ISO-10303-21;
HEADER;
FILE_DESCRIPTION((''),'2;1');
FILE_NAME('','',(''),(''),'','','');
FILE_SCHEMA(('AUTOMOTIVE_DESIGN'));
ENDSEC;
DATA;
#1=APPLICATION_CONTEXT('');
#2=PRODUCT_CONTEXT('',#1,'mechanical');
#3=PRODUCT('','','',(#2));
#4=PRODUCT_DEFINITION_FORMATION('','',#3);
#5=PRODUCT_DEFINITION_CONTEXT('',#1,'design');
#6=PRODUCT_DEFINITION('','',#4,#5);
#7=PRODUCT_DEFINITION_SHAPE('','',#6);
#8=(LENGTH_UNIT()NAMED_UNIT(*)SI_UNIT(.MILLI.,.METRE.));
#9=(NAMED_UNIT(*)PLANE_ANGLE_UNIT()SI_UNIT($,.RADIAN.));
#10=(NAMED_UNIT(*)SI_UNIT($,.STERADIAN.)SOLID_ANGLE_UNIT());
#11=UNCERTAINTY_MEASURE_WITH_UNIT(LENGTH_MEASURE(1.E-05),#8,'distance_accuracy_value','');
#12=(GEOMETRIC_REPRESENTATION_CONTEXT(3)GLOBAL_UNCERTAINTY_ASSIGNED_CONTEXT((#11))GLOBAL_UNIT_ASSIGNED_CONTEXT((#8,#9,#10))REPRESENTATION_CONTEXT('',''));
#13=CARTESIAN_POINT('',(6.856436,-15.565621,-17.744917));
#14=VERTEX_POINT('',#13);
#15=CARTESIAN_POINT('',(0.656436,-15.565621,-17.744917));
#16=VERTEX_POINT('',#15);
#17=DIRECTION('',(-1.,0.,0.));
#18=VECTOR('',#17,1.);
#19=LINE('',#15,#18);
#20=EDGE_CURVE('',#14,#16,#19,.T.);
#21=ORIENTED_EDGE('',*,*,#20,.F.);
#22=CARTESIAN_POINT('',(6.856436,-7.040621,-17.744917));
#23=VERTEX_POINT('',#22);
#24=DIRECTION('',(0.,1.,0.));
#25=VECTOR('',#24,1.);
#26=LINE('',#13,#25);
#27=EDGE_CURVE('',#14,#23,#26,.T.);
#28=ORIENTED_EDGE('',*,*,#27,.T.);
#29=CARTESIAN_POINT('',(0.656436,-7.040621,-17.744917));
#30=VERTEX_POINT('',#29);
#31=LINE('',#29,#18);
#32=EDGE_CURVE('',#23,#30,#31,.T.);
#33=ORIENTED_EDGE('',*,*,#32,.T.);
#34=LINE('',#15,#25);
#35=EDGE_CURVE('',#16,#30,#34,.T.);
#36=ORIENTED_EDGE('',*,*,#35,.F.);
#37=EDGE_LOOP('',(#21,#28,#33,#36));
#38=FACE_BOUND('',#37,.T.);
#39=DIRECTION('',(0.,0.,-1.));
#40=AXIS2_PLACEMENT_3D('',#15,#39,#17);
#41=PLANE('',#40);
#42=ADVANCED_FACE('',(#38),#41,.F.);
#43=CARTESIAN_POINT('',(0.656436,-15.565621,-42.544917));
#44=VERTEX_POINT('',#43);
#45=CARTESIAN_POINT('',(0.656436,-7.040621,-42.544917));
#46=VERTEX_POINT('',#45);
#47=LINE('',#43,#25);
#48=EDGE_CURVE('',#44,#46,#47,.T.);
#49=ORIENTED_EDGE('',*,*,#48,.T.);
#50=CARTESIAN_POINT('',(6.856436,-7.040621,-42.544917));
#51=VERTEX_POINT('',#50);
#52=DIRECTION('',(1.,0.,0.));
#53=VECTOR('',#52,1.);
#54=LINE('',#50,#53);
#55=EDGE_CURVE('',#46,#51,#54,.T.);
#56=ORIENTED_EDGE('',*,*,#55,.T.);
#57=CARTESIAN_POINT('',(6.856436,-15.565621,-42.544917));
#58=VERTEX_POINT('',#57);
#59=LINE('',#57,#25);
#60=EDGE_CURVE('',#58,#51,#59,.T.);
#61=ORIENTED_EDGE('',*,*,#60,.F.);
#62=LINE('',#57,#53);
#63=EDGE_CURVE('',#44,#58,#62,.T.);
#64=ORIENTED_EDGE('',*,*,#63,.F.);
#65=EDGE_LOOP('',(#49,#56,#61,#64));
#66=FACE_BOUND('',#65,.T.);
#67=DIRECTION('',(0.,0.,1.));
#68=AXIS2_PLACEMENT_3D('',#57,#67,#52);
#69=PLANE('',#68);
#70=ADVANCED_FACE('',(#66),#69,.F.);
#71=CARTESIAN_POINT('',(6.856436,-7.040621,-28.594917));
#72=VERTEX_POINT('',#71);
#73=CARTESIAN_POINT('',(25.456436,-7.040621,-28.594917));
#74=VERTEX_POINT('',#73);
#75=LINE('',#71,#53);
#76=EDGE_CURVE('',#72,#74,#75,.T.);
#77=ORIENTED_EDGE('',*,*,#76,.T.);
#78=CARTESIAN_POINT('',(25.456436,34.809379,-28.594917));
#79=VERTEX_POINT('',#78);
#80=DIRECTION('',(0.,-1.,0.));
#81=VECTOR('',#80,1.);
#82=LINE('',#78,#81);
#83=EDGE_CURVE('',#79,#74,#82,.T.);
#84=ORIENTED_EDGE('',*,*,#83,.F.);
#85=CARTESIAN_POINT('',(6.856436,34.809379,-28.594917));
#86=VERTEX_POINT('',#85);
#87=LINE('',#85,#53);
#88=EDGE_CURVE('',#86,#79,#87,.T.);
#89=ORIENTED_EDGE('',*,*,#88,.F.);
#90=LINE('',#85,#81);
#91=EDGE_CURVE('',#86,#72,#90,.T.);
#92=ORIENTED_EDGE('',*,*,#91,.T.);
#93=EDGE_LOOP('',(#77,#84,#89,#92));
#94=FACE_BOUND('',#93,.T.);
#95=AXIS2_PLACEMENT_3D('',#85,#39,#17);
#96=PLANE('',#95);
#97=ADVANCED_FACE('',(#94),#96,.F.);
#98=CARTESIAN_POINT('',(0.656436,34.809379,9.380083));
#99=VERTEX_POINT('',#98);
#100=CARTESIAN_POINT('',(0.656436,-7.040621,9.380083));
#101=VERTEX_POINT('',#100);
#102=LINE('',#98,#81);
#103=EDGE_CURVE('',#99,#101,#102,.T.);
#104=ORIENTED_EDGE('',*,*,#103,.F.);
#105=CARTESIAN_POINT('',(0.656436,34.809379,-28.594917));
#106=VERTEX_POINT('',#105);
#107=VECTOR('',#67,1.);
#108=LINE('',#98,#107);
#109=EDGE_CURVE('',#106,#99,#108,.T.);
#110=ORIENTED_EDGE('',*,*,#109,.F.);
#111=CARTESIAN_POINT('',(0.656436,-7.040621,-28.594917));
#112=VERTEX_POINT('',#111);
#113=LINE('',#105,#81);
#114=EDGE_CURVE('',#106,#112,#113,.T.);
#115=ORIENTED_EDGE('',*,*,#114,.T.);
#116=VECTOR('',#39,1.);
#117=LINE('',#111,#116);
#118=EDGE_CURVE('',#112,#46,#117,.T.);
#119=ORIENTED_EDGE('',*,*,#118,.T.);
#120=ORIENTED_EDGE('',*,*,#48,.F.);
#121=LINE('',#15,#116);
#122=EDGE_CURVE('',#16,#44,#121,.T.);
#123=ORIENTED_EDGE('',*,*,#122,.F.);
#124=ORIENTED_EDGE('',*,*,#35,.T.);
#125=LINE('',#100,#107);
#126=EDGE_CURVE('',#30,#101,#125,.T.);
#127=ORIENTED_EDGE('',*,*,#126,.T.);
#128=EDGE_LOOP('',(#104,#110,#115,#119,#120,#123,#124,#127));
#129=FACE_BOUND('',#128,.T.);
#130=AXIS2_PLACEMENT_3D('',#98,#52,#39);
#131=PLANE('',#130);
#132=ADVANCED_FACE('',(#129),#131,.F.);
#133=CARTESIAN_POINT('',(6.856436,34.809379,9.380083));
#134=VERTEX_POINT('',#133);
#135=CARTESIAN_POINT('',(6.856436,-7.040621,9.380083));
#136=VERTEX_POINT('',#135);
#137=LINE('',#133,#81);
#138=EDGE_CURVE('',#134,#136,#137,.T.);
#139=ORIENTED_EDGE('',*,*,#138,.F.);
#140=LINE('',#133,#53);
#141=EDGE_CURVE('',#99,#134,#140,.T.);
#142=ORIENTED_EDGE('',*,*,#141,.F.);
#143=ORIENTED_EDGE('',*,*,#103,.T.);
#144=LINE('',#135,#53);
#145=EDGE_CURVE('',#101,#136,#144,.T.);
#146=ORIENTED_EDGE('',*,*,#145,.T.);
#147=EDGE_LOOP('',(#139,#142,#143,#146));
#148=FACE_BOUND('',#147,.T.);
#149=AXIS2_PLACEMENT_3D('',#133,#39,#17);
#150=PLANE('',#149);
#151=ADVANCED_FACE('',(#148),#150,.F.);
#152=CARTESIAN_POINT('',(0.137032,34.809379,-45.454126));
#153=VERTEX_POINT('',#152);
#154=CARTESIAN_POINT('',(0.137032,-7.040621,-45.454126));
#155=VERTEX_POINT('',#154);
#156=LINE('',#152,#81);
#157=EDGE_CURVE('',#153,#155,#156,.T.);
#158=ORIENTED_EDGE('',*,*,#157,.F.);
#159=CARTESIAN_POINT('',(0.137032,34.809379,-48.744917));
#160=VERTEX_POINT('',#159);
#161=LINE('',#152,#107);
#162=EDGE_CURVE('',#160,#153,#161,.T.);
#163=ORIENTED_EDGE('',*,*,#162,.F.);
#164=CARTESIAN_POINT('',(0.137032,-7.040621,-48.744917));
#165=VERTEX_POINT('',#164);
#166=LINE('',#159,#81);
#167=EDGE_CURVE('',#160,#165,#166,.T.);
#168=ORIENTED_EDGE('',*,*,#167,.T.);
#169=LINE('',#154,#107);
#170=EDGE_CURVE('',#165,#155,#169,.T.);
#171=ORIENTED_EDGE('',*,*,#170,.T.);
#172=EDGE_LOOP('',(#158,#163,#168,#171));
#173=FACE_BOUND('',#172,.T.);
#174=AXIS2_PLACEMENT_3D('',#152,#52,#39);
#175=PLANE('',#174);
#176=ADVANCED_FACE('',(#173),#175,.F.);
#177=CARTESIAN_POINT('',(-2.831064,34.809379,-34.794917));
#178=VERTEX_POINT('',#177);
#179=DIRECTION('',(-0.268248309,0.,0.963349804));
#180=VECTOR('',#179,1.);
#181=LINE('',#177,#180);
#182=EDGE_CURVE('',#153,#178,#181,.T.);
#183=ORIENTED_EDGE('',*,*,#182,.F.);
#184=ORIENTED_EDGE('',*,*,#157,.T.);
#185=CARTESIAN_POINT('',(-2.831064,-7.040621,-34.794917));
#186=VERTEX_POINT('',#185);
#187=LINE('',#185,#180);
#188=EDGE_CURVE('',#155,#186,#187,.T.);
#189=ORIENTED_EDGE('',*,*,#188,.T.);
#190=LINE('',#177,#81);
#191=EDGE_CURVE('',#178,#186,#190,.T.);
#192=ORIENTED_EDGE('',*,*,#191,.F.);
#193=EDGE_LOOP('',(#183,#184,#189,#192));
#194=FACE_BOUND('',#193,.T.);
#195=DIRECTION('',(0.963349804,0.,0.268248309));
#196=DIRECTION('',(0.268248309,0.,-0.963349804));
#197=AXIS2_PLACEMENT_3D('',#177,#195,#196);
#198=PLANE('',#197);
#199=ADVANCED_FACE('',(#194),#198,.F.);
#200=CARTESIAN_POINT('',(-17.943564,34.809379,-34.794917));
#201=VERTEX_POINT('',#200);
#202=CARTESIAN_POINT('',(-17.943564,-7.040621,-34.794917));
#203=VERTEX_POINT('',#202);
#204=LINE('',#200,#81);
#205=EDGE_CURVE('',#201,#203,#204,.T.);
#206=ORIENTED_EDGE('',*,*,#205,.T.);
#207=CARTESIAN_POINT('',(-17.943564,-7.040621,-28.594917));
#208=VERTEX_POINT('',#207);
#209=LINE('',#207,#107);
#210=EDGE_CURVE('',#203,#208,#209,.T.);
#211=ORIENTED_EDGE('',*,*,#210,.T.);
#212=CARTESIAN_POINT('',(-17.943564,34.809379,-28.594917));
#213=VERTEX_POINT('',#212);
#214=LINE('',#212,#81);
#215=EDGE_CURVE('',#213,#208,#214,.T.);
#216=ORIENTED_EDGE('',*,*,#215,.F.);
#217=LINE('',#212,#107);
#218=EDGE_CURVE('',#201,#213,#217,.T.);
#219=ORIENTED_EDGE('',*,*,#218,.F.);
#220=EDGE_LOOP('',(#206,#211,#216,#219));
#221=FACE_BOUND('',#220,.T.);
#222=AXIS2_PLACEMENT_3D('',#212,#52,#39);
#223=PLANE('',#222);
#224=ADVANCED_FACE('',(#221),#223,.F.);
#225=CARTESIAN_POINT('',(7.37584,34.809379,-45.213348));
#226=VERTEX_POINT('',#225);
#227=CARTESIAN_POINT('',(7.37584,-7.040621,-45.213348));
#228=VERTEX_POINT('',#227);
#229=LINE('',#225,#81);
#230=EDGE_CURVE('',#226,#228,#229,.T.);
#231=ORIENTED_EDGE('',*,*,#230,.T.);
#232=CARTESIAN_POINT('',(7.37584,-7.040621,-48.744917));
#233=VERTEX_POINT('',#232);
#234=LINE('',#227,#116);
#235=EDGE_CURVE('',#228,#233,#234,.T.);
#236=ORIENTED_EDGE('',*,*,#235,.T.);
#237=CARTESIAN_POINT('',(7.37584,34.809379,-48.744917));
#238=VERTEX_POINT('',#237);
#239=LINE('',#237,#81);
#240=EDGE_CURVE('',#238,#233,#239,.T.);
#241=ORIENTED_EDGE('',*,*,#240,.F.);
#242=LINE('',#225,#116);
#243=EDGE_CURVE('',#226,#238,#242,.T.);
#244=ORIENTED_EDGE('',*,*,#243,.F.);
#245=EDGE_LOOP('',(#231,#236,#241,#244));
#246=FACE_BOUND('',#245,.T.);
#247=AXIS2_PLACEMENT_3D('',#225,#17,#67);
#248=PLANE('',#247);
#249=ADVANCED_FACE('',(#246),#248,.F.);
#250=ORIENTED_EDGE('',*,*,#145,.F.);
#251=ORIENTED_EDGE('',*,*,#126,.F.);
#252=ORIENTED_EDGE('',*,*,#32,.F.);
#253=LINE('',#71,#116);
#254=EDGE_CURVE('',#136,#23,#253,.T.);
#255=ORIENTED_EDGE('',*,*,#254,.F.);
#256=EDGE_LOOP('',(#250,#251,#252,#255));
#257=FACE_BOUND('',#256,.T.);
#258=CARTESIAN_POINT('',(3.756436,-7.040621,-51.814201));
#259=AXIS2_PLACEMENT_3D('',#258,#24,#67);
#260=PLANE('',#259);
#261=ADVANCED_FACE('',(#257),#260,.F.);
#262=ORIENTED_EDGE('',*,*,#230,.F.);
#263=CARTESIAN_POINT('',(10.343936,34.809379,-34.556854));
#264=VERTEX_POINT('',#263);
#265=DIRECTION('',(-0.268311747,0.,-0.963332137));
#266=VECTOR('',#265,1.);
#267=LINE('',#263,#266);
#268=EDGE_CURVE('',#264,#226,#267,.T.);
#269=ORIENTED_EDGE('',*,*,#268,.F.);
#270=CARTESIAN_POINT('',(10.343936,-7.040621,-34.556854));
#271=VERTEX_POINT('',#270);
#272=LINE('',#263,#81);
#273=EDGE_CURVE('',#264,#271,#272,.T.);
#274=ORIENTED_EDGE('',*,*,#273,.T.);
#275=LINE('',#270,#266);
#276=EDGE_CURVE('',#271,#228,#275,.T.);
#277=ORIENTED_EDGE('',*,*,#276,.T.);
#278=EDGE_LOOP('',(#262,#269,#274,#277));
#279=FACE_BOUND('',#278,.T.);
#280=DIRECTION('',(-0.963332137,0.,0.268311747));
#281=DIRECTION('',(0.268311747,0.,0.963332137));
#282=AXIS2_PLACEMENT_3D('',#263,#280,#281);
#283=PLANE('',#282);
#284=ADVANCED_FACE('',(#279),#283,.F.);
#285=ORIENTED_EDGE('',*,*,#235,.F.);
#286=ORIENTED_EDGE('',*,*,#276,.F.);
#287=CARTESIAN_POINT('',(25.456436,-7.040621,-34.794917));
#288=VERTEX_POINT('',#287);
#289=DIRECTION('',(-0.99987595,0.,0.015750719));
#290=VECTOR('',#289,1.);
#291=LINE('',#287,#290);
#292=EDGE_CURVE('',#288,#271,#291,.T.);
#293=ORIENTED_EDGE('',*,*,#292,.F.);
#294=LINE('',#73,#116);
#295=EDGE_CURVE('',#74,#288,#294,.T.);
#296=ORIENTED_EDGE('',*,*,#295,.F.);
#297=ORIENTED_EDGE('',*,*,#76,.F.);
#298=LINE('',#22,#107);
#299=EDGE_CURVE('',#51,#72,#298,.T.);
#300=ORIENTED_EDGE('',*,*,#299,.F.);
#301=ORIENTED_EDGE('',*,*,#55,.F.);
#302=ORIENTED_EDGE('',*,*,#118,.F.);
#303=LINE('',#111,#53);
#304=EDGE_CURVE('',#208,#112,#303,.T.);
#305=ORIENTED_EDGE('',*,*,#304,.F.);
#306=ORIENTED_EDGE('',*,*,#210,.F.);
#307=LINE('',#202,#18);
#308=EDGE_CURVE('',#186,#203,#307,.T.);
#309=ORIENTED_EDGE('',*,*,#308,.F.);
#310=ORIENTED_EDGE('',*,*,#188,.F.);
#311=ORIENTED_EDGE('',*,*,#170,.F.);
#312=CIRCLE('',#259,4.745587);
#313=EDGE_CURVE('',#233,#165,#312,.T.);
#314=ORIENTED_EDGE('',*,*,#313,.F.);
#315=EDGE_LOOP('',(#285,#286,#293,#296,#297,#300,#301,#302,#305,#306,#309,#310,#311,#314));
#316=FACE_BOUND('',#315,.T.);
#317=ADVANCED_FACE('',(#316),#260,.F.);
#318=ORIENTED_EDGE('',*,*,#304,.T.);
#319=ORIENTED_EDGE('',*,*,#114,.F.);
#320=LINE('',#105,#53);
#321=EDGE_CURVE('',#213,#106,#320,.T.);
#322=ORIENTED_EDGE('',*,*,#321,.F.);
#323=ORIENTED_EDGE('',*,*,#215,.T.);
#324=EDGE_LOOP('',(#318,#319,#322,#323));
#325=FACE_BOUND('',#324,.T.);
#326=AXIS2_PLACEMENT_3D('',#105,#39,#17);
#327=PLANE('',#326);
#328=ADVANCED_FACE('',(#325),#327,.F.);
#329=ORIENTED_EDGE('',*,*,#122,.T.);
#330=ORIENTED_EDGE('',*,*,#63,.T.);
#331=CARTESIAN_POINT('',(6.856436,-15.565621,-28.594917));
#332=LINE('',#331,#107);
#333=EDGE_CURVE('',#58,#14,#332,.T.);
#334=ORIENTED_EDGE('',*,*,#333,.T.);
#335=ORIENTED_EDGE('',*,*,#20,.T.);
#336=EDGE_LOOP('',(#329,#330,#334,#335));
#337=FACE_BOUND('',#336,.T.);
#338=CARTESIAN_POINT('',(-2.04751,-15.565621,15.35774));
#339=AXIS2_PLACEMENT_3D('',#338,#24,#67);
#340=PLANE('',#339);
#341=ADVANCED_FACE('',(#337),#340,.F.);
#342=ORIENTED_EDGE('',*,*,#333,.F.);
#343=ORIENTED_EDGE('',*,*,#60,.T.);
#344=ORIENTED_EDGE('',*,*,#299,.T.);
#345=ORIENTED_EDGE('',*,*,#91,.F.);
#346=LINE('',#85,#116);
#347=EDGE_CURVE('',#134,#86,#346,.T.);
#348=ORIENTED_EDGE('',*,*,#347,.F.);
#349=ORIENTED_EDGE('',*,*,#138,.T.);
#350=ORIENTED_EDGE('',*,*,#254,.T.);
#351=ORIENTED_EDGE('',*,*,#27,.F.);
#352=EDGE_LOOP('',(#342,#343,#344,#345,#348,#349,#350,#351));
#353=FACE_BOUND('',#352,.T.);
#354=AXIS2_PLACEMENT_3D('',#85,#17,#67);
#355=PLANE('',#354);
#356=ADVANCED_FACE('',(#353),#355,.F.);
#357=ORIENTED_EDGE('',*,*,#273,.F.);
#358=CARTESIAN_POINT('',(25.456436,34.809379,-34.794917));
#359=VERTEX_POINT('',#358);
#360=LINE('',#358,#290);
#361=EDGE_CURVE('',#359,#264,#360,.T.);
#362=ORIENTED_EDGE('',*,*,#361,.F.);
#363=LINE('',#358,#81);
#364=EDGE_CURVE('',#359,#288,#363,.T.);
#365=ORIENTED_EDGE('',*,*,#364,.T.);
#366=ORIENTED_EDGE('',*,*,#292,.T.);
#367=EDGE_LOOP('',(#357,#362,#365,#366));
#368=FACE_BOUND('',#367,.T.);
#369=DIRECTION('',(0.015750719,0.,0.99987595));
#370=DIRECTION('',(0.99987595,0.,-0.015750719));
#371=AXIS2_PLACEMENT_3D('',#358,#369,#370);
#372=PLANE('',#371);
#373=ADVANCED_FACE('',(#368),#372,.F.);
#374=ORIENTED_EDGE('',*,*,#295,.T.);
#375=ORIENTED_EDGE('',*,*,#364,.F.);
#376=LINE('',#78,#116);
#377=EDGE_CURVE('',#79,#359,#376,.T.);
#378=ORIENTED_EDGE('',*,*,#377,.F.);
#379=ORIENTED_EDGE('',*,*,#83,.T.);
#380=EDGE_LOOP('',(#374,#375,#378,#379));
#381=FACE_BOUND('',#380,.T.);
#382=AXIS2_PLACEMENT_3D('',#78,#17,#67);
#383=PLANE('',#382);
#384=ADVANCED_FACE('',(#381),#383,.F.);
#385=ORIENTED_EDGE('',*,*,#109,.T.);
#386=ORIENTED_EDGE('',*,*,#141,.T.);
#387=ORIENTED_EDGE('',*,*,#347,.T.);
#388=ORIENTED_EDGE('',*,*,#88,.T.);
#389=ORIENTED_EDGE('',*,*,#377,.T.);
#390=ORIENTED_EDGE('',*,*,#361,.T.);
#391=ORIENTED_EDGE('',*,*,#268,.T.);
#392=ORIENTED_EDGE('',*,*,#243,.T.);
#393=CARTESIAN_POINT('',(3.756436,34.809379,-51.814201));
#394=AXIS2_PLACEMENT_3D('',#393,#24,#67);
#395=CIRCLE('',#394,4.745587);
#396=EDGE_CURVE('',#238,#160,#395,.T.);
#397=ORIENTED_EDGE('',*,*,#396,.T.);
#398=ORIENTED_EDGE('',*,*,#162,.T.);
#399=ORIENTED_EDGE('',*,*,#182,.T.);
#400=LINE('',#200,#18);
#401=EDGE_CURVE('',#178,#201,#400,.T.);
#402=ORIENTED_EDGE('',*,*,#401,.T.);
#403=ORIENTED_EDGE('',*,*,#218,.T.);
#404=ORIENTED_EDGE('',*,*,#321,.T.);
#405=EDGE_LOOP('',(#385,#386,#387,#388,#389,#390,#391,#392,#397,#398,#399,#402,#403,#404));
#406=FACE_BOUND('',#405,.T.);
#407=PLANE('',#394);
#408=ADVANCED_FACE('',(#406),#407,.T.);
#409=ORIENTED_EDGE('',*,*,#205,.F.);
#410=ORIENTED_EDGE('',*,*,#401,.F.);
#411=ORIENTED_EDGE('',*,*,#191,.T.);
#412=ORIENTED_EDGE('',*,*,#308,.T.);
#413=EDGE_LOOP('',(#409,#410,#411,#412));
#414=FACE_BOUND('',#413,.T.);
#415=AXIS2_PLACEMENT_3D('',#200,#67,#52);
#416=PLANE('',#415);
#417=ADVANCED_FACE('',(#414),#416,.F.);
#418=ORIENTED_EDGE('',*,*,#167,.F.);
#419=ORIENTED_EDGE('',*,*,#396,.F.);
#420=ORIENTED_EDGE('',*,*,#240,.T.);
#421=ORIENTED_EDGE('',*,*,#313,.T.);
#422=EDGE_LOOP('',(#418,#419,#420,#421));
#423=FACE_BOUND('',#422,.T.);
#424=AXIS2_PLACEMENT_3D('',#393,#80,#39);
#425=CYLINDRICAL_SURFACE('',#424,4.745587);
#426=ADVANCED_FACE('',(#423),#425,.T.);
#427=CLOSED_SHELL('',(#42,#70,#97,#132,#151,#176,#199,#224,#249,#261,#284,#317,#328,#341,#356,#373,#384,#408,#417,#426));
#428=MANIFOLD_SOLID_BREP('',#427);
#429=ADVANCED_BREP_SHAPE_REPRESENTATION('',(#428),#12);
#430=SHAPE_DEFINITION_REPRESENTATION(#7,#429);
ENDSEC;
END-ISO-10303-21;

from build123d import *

# Parameters (mm, degrees)
BOSS_EXTRUDE1_DEPTH = 27
BOSS_EXTRUDE2_DEPTH = 5.5
SCALE4_SCALE        = 1.55


with BuildPart() as part:
    # Sketch1 → Boss-Extrude1 (new body)
    with BuildSketch(Plane(origin=(0, 0, 0), x_dir=(1, 0, 0), z_dir=(0, 1, 0))):
        with BuildLine():
            Line((5.744481064, 28.356552325), (5.744481064, 3.856552325))
            Line((5.744481064, 3.856552325), (1.744481064, 3.856552325))
            Line((1.744481064, 3.856552325), (1.744481064, 28.356552325))
            Line((1.744481064, 28.356552325), (-10.255518936, 28.356552325))
            Line((-10.255518936, 28.356552325), (-10.255518936, 32.356552325))
            Line((-10.255518936, 32.356552325), (-0.505518936, 32.356552325))
            Line((-0.505518936, 32.356552325), (1.40938179, 39.233461433))
            Line((1.40938179, 39.233461433), (1.40938179, 41.356552325))
            ThreePointArc((1.40938179, 41.356552325), (3.744481064, 46.398404602), (6.079580338, 41.356552325))
            Line((6.079580338, 41.356552325), (6.079580338, 39.078120853))
            Line((6.079580338, 39.078120853), (7.994481064, 32.202963761))
            Line((7.994481064, 32.202963761), (17.744481064, 32.356552325))
            Line((17.744481064, 32.356552325), (17.744481064, 28.356552325))
            Line((17.744481064, 28.356552325), (5.744481064, 28.356552325))
        make_face()
    extrude(amount=BOSS_EXTRUDE1_DEPTH)

    # Sketch2 → Boss-Extrude2 (add)
    with BuildSketch(Plane.XZ):
        Polygon((1.744481064, -21.356552325), (5.744481064, -21.356552325), (5.744481064, -28.356552325), (5.744481064, -37.356552325), (1.744481064, -37.356552325), (1.744481064, -28.356552325), align=None)
    extrude(amount=BOSS_EXTRUDE2_DEPTH)


with BuildPart() as part_1:
    # Scale4: scaled about (3.722745038, 12.801128323, -27.923162877)
    add(part.part.scale(SCALE4_SCALE).moved(Location((-2.047509771, -7.040620578, 15.357739582))))


solid = part_1.part
